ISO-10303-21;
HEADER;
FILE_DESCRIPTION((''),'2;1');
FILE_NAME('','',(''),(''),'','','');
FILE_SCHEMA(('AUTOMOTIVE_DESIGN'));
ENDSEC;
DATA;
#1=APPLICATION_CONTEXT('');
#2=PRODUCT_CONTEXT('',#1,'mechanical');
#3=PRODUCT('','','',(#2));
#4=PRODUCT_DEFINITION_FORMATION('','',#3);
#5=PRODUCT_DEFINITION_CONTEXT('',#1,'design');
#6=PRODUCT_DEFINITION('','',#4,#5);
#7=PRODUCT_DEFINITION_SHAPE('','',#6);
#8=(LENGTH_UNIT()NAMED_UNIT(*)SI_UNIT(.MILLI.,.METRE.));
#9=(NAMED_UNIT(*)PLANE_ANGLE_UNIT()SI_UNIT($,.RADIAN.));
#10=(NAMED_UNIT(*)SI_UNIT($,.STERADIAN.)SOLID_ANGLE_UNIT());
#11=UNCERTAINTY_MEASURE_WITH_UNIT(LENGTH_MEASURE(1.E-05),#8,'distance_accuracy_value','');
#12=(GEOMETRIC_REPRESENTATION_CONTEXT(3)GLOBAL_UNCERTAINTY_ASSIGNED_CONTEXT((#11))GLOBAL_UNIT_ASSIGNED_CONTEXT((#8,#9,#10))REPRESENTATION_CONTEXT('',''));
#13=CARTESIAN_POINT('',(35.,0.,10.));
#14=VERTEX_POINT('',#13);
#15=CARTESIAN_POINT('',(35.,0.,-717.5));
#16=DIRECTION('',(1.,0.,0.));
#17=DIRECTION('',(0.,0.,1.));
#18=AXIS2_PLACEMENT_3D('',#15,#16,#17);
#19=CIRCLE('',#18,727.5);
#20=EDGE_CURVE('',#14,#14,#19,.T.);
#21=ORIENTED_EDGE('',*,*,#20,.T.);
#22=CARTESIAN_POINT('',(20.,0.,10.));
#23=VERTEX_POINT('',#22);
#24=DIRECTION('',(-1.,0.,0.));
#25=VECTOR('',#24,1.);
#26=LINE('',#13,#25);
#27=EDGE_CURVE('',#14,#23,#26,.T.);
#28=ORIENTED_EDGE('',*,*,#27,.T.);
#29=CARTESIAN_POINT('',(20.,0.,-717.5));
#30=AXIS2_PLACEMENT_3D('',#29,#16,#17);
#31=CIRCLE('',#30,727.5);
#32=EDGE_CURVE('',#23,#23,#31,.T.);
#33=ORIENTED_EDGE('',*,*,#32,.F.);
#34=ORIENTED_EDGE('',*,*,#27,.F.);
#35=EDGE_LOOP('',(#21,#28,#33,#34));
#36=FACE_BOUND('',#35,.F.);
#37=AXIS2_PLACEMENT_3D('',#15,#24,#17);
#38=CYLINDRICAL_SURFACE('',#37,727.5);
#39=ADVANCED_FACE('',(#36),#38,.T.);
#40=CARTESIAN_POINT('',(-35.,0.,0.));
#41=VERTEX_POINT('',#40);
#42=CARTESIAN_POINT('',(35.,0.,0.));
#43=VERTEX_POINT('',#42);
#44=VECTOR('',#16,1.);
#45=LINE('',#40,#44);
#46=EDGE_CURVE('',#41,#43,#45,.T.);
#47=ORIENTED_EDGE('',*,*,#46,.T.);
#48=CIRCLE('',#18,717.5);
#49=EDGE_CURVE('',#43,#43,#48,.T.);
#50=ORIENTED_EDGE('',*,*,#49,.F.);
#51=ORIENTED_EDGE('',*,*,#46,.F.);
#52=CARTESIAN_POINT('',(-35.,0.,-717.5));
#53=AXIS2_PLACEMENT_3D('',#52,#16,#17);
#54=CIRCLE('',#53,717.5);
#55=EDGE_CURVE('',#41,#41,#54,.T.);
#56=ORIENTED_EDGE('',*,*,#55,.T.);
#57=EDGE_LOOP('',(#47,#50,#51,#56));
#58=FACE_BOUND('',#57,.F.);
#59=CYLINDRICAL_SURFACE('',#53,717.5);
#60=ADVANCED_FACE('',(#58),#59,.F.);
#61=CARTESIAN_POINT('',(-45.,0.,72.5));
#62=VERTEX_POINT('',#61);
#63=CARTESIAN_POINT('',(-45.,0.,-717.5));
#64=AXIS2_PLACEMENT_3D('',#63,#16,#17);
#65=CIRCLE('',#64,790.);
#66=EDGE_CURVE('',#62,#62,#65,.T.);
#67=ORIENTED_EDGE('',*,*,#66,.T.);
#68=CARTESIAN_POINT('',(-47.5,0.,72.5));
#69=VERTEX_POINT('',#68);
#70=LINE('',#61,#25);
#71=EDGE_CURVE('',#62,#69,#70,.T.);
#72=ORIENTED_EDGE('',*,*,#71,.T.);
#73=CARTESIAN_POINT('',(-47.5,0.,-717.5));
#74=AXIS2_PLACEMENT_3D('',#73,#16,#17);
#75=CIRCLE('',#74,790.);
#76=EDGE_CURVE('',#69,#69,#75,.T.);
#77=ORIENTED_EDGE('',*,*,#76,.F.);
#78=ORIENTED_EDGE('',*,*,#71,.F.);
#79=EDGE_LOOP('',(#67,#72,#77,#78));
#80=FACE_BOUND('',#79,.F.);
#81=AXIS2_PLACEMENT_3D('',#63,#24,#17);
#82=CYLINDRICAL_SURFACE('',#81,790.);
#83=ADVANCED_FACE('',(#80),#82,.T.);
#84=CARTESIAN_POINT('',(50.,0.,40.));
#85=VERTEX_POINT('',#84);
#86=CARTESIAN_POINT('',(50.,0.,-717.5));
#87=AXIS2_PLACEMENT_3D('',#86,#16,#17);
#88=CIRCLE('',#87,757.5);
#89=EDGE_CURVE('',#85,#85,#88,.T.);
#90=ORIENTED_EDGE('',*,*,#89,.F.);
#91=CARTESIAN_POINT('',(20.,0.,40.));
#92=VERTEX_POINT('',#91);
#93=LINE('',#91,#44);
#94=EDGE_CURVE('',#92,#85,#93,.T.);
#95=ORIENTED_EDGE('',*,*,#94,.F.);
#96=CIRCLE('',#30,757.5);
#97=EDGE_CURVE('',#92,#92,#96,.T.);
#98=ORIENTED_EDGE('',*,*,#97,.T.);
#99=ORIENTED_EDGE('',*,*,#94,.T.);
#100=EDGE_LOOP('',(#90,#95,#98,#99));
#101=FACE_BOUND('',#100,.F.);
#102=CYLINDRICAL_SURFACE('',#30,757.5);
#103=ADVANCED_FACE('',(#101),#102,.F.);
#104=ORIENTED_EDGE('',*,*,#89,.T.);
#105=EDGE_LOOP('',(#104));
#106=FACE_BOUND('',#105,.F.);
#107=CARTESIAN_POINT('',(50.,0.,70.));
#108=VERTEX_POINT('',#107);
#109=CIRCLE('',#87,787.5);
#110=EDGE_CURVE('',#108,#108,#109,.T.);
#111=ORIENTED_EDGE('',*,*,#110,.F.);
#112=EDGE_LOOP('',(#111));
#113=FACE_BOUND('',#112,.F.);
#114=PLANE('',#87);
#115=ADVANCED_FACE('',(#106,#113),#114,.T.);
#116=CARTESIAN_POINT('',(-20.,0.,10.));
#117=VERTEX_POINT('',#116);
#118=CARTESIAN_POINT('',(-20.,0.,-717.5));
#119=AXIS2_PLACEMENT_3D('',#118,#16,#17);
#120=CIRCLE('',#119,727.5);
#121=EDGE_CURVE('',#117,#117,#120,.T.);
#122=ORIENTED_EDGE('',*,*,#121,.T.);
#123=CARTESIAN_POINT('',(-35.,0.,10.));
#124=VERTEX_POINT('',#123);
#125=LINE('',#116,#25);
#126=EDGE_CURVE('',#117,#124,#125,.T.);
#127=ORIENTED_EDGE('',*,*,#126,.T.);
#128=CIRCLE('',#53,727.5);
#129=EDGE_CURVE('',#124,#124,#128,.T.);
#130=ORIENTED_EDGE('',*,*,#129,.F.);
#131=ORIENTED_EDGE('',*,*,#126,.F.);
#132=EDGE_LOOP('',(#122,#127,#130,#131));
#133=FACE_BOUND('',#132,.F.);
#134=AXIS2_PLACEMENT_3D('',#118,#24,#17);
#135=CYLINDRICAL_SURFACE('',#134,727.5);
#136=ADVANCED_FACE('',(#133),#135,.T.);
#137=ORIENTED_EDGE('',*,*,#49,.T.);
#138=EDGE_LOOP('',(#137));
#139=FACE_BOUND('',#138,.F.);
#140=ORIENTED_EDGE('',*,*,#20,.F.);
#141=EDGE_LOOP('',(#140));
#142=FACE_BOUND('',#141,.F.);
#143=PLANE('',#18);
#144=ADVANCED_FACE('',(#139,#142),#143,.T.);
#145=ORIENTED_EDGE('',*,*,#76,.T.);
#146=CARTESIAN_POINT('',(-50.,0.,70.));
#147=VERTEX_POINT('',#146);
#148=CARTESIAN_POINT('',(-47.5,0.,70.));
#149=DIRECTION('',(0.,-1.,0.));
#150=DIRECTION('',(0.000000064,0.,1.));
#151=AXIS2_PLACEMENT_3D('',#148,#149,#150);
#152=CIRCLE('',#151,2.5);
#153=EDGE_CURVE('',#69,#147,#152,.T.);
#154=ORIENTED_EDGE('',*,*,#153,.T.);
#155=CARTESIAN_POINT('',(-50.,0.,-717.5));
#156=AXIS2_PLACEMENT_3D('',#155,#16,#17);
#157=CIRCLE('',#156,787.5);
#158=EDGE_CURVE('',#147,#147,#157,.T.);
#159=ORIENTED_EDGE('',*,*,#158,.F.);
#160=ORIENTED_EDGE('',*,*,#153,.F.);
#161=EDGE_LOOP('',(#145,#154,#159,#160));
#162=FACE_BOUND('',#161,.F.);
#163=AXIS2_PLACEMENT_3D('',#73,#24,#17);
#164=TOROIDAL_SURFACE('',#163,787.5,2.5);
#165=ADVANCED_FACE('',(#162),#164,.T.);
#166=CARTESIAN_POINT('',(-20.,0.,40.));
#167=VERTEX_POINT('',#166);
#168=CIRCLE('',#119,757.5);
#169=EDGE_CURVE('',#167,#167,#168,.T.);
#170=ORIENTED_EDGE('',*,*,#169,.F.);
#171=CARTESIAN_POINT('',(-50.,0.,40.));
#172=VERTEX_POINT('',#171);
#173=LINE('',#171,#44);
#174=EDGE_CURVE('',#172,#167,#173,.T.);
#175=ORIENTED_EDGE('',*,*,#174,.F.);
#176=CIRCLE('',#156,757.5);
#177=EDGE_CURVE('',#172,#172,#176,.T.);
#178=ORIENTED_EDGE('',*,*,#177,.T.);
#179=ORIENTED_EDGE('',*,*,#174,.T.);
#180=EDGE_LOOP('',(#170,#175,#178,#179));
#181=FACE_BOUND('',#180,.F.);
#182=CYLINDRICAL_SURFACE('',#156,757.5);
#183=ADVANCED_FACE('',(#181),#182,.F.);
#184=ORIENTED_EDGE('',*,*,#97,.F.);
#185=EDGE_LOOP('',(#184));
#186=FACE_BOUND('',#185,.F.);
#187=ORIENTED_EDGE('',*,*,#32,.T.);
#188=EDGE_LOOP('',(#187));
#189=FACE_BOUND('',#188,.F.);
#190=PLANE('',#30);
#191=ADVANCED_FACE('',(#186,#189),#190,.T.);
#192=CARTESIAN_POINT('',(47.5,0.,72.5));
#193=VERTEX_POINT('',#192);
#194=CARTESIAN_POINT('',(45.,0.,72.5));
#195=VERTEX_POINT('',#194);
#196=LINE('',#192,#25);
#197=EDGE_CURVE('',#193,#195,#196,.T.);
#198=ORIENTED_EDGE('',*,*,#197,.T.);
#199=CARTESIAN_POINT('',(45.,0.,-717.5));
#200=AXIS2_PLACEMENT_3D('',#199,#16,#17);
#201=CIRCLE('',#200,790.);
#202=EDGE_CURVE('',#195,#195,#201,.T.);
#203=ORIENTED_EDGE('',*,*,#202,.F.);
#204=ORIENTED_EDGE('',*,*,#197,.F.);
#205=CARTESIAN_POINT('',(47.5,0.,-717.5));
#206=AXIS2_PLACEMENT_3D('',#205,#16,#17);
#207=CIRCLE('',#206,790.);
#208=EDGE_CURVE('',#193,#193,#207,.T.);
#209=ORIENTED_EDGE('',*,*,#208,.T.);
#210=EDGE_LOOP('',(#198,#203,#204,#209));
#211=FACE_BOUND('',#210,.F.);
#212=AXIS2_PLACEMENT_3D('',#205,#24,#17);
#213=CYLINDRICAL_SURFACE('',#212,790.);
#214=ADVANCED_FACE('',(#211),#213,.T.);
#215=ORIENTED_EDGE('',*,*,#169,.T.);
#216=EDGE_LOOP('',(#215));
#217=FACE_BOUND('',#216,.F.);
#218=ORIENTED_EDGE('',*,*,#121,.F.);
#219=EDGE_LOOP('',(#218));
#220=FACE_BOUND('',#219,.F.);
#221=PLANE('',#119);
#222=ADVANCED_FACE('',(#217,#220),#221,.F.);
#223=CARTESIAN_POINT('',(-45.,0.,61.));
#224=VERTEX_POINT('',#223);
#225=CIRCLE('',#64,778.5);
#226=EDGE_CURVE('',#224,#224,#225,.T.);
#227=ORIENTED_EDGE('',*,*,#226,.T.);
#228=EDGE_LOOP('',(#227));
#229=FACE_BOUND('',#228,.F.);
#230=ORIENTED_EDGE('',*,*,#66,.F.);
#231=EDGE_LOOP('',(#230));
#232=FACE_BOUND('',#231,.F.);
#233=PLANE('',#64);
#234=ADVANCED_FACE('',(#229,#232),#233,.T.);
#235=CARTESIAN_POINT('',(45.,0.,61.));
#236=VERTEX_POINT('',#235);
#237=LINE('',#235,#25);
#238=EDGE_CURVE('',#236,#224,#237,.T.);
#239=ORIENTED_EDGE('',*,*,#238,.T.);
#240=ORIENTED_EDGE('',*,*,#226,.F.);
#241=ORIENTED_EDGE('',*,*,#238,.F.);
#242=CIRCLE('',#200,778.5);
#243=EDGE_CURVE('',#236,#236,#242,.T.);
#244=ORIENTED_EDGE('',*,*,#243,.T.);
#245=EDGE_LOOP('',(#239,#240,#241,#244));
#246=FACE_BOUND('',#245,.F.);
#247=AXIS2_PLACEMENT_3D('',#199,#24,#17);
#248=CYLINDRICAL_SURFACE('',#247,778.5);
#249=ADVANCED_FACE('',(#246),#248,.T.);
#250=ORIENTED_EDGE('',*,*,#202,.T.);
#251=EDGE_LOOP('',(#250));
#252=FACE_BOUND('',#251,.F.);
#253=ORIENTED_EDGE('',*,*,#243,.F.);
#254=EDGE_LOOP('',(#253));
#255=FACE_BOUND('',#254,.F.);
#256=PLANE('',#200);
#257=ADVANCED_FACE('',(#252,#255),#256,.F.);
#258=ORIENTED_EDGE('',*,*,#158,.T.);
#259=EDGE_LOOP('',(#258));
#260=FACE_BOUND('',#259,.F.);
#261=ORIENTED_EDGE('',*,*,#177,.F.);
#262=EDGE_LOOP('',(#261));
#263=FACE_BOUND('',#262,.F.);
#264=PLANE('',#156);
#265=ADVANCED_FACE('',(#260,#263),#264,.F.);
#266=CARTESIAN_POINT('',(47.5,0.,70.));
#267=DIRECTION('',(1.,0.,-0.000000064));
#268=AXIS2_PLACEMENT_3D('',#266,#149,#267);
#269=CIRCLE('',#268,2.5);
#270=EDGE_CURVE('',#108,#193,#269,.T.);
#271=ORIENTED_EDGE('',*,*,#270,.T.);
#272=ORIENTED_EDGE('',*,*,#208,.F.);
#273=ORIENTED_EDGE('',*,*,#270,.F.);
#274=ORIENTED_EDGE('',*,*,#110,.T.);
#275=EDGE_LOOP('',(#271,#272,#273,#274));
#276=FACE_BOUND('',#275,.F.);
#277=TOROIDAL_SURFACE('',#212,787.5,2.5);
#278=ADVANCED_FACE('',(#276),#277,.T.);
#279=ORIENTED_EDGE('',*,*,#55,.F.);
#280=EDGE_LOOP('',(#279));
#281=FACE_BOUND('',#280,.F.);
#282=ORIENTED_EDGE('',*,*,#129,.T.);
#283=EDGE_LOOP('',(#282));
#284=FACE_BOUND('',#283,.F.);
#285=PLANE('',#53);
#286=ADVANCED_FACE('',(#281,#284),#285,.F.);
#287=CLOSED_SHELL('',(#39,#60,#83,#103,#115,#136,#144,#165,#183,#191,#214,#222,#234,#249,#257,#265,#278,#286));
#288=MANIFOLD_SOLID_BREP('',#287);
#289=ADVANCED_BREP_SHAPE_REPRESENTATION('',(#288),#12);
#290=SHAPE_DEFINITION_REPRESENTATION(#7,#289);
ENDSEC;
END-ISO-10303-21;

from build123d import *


with BuildPart() as f1:
    # F0 (on Front) → F1 (revolve)
    with BuildSketch(Plane.XZ):
        with BuildLine():
            Line((0, 61), (0, 0))
            Line((0, 0), (35, 0))
            Line((35, 0), (35, 10))
            Line((35, 10), (20, 10))
            Line((20, 10), (20, 40))
            Line((20, 40), (50, 40))
            Line((50, 40), (50, 70))
            ThreePointArc((50, 70), (49.267767, 71.767767), (47.5, 72.5))
            Line((47.5, 72.5), (45, 72.5))
            Line((45, 72.5), (45, 61))
            Line((45, 61), (0, 61))
        make_face()
        with BuildLine():
            Line((-35, 0), (0, 0))
            Line((0, 0), (0, 61))
            Line((0, 61), (-45, 61))
            Line((-45, 61), (-45, 72.5))
            Line((-45, 72.5), (-47.5, 72.5))
            ThreePointArc((-47.5, 72.5), (-49.267767, 71.767767), (-50, 70))
            Line((-50, 70), (-50, 40))
            Line((-50, 40), (-20, 40))
            Line((-20, 40), (-20, 10))
            Line((-20, 10), (-35, 10))
            Line((-35, 10), (-35, 0))
        make_face()
    revolve(axis=Axis((25.468834, 0, -717.5), (1, 0, 0)))


solid = f1.part
